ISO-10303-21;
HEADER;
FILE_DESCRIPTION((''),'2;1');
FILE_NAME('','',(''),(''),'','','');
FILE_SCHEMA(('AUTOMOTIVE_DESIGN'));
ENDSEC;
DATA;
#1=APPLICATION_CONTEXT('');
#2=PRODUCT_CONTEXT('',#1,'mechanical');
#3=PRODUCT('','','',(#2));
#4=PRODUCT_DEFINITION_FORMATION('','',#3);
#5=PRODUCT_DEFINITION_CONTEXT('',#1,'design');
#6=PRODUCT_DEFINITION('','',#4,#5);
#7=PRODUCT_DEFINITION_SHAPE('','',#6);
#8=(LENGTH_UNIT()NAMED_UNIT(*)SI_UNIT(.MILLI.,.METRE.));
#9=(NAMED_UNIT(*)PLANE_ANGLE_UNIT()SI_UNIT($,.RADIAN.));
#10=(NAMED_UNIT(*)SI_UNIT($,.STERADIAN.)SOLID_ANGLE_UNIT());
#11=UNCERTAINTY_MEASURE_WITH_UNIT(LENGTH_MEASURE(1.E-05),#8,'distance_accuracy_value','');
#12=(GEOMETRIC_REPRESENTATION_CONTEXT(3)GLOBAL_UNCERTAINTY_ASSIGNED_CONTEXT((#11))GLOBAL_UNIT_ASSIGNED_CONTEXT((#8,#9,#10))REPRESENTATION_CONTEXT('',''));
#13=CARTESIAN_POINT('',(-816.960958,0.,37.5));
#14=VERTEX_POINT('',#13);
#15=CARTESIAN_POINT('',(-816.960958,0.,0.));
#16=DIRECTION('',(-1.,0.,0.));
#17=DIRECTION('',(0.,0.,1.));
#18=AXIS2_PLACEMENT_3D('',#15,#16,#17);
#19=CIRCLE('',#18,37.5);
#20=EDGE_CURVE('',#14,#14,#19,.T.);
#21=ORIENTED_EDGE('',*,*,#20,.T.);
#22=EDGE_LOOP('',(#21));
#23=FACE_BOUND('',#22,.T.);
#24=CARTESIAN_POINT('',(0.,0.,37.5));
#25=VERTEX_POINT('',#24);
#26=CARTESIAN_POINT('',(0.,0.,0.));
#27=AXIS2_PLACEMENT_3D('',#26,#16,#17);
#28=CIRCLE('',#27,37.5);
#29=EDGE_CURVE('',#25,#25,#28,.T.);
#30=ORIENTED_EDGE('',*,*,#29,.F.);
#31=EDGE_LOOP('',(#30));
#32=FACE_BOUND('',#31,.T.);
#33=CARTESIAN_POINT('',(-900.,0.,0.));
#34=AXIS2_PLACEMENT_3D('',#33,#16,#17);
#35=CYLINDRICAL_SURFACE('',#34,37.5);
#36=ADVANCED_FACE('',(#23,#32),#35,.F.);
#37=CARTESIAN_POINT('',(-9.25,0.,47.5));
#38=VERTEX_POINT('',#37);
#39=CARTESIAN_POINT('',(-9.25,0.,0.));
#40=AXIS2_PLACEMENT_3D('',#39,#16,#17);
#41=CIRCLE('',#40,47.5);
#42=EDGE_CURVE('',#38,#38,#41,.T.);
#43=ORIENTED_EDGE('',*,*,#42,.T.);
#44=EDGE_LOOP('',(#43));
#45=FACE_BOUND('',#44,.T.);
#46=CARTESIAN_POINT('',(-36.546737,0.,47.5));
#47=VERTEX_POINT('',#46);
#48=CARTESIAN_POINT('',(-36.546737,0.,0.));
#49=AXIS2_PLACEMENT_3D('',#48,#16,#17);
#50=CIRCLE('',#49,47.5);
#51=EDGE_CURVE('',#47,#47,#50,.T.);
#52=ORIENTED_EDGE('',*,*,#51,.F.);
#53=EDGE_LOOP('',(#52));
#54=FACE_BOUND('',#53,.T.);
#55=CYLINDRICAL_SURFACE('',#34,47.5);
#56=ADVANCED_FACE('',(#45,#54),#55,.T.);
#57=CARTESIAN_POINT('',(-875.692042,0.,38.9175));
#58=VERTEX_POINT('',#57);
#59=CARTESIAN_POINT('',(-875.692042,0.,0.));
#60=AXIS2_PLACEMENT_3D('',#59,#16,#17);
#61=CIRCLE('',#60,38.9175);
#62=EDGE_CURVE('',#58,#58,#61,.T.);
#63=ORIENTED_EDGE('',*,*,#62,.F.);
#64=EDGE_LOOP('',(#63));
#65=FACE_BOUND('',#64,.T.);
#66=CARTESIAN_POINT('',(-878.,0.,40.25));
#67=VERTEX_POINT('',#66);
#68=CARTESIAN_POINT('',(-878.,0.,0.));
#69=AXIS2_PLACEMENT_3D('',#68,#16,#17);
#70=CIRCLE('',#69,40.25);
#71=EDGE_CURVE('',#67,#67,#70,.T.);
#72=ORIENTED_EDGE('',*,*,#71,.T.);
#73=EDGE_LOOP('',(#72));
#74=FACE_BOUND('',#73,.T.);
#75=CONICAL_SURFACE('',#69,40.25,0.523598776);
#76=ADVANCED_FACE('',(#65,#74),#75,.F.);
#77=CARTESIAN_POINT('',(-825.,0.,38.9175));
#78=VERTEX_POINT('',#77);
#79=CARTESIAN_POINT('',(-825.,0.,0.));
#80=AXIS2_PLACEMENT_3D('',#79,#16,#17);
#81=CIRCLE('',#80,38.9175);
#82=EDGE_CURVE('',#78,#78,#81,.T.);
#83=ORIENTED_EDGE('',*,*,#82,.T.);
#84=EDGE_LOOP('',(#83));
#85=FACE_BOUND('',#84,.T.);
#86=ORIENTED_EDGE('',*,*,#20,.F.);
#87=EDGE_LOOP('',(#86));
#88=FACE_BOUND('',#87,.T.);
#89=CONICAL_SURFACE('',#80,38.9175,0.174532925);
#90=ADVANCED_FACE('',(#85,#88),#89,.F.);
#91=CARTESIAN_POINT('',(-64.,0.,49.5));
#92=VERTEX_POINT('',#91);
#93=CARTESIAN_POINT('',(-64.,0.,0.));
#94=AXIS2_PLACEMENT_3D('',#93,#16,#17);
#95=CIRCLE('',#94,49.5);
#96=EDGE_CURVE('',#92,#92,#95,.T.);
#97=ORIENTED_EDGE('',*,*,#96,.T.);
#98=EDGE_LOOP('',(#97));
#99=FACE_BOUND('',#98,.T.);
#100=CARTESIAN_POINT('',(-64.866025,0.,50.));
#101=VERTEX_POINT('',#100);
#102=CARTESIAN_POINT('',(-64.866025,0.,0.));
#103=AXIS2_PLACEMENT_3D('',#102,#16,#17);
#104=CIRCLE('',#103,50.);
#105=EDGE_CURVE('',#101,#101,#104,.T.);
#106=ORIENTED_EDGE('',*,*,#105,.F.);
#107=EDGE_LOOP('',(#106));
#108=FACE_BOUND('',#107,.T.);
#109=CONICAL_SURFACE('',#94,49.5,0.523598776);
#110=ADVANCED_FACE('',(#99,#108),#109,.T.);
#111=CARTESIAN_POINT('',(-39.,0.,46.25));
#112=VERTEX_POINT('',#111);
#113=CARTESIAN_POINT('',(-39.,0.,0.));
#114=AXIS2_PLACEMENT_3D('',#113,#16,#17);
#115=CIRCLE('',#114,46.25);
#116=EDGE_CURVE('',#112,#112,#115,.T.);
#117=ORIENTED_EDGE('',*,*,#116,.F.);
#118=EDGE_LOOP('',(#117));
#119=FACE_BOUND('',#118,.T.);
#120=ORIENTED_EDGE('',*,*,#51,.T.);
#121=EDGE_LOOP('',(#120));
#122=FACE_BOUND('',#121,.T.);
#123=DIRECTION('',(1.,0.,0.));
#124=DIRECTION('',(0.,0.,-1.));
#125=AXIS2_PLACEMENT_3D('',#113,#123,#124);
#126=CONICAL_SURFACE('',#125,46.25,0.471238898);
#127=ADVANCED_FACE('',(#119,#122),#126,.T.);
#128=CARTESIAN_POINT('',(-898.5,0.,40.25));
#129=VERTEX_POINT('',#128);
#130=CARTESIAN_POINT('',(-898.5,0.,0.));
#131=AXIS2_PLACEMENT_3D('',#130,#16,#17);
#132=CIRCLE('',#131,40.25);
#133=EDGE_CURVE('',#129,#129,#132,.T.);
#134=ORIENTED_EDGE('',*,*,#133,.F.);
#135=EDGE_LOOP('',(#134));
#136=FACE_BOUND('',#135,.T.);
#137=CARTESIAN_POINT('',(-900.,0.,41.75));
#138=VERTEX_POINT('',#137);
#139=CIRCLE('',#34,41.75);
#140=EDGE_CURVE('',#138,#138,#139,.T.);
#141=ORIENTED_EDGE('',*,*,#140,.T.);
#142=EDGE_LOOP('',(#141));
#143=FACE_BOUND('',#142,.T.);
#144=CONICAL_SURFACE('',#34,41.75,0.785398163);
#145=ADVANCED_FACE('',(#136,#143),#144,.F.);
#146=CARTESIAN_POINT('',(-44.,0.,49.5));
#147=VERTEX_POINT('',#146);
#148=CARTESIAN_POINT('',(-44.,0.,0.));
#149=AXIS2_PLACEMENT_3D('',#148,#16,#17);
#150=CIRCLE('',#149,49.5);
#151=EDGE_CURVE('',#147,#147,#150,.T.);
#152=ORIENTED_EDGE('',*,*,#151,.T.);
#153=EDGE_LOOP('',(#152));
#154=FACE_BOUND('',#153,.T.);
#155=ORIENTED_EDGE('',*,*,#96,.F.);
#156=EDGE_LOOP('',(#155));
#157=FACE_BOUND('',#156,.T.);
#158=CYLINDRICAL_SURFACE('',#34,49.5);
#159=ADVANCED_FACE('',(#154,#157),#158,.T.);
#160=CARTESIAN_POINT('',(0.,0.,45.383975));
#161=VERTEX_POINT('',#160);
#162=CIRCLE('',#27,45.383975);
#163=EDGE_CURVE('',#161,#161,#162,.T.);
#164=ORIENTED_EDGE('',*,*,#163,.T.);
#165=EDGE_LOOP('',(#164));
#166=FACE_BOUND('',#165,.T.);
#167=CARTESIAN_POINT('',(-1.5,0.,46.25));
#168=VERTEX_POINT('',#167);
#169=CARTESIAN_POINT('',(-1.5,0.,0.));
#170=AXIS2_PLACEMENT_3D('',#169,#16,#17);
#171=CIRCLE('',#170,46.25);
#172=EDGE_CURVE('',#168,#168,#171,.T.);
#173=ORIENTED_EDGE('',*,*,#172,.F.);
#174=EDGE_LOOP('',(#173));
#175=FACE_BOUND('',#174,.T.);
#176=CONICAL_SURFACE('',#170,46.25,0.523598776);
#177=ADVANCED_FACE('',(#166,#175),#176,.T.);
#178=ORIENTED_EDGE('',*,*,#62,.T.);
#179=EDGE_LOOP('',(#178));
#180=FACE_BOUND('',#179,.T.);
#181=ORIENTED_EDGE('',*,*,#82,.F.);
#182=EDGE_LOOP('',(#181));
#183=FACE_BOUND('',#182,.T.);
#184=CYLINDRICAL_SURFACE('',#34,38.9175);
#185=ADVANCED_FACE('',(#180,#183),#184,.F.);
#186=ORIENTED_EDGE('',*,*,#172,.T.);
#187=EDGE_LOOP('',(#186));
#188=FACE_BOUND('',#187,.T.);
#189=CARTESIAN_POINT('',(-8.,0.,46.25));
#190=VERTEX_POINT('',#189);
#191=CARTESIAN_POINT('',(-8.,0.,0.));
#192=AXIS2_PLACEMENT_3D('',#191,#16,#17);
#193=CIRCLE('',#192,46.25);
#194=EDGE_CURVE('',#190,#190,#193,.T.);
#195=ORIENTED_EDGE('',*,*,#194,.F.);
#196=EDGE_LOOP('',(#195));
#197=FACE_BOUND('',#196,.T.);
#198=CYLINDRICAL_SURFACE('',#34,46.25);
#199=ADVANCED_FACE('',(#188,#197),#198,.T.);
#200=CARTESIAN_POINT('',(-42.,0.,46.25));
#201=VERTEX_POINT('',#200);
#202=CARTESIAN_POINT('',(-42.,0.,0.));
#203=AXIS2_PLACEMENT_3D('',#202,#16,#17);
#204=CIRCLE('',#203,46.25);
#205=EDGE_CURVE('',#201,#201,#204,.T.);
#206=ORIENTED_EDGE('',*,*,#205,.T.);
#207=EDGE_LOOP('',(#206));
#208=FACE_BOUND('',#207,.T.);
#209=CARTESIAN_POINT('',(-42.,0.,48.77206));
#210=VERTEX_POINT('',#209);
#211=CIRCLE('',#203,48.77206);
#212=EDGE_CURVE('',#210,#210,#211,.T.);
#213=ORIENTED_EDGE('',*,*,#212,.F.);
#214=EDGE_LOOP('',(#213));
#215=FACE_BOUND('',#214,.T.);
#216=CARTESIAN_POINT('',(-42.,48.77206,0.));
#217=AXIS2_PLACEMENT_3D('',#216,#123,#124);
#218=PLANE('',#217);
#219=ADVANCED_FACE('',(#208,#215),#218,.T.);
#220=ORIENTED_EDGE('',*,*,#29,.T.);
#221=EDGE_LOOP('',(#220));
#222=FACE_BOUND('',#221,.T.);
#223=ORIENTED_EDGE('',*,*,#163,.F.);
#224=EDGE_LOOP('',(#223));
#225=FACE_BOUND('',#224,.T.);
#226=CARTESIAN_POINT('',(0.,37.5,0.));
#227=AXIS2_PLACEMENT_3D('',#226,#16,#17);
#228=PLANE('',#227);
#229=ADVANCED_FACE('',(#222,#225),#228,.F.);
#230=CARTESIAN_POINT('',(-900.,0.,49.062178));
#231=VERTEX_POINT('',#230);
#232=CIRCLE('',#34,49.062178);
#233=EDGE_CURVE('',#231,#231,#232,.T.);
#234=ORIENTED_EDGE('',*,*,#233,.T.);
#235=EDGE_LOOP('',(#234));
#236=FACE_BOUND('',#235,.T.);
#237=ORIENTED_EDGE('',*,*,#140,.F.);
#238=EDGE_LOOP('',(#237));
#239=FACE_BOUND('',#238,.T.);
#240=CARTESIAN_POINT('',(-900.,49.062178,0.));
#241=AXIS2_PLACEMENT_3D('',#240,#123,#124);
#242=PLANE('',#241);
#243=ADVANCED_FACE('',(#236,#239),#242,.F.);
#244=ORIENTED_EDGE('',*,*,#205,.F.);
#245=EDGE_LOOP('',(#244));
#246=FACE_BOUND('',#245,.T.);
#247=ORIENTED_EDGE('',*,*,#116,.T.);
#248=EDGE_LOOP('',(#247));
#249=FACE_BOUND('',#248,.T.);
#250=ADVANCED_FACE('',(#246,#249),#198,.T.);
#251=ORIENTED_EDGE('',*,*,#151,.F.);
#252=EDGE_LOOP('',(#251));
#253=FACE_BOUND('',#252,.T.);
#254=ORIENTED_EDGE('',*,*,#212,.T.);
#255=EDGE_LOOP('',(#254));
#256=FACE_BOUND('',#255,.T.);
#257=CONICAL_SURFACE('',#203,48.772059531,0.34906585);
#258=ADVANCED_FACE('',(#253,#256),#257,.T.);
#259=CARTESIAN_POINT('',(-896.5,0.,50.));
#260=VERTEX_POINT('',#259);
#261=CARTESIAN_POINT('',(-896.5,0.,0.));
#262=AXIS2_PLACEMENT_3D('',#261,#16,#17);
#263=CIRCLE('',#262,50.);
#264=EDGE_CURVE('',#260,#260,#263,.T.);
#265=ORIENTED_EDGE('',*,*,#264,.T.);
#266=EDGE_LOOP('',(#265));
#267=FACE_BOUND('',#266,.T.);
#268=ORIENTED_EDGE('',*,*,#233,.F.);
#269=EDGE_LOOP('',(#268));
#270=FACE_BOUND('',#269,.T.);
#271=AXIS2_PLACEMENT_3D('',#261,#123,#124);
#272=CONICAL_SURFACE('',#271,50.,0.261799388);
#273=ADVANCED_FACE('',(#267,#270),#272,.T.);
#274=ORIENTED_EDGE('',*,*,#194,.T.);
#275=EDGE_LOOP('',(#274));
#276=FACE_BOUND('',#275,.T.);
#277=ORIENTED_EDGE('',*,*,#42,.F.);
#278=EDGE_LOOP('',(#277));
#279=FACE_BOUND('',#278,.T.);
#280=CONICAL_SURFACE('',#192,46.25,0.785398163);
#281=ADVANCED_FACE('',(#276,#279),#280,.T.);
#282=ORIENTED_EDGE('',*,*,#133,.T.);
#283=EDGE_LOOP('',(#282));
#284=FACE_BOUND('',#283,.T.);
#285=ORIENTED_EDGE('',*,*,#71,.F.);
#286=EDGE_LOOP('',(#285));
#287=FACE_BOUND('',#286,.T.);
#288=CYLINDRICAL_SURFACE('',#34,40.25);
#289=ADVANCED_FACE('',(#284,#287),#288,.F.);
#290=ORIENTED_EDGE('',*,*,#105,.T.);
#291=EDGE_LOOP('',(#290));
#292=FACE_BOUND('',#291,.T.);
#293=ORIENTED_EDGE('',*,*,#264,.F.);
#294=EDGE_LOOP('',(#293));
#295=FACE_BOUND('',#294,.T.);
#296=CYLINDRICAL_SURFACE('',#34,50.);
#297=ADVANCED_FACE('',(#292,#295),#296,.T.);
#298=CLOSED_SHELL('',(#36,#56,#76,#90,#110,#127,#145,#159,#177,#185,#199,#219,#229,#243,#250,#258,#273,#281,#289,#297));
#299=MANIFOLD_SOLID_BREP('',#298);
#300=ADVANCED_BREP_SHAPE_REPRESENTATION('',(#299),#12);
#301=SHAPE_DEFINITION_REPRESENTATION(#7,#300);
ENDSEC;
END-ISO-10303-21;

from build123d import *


with BuildPart() as part:
    # Sketch1 → Base-Revolve (revolve)
    with BuildSketch(Plane.XY):
        Polygon((0, 37.5), (0, 45.383974596), (-1.5, 46.25), (-8, 46.25), (-9.25, 47.5), (-36.546736868, 47.5), (-39, 46.25), (-42, 46.25), (-42, 48.772059531), (-44, 49.5), (-64, 49.5), (-64.866025404, 50), (-896.5, 50), (-900, 49.062177826), (-900, 41.75), (-898.5, 40.25), (-878, 40.25), (-875.692042299, 38.9175), (-825, 38.9175), (-816.960958021, 37.5), align=None)
    revolve(axis=Axis((-900, 0, 0), (1, 0, 0)))


solid = part.part
